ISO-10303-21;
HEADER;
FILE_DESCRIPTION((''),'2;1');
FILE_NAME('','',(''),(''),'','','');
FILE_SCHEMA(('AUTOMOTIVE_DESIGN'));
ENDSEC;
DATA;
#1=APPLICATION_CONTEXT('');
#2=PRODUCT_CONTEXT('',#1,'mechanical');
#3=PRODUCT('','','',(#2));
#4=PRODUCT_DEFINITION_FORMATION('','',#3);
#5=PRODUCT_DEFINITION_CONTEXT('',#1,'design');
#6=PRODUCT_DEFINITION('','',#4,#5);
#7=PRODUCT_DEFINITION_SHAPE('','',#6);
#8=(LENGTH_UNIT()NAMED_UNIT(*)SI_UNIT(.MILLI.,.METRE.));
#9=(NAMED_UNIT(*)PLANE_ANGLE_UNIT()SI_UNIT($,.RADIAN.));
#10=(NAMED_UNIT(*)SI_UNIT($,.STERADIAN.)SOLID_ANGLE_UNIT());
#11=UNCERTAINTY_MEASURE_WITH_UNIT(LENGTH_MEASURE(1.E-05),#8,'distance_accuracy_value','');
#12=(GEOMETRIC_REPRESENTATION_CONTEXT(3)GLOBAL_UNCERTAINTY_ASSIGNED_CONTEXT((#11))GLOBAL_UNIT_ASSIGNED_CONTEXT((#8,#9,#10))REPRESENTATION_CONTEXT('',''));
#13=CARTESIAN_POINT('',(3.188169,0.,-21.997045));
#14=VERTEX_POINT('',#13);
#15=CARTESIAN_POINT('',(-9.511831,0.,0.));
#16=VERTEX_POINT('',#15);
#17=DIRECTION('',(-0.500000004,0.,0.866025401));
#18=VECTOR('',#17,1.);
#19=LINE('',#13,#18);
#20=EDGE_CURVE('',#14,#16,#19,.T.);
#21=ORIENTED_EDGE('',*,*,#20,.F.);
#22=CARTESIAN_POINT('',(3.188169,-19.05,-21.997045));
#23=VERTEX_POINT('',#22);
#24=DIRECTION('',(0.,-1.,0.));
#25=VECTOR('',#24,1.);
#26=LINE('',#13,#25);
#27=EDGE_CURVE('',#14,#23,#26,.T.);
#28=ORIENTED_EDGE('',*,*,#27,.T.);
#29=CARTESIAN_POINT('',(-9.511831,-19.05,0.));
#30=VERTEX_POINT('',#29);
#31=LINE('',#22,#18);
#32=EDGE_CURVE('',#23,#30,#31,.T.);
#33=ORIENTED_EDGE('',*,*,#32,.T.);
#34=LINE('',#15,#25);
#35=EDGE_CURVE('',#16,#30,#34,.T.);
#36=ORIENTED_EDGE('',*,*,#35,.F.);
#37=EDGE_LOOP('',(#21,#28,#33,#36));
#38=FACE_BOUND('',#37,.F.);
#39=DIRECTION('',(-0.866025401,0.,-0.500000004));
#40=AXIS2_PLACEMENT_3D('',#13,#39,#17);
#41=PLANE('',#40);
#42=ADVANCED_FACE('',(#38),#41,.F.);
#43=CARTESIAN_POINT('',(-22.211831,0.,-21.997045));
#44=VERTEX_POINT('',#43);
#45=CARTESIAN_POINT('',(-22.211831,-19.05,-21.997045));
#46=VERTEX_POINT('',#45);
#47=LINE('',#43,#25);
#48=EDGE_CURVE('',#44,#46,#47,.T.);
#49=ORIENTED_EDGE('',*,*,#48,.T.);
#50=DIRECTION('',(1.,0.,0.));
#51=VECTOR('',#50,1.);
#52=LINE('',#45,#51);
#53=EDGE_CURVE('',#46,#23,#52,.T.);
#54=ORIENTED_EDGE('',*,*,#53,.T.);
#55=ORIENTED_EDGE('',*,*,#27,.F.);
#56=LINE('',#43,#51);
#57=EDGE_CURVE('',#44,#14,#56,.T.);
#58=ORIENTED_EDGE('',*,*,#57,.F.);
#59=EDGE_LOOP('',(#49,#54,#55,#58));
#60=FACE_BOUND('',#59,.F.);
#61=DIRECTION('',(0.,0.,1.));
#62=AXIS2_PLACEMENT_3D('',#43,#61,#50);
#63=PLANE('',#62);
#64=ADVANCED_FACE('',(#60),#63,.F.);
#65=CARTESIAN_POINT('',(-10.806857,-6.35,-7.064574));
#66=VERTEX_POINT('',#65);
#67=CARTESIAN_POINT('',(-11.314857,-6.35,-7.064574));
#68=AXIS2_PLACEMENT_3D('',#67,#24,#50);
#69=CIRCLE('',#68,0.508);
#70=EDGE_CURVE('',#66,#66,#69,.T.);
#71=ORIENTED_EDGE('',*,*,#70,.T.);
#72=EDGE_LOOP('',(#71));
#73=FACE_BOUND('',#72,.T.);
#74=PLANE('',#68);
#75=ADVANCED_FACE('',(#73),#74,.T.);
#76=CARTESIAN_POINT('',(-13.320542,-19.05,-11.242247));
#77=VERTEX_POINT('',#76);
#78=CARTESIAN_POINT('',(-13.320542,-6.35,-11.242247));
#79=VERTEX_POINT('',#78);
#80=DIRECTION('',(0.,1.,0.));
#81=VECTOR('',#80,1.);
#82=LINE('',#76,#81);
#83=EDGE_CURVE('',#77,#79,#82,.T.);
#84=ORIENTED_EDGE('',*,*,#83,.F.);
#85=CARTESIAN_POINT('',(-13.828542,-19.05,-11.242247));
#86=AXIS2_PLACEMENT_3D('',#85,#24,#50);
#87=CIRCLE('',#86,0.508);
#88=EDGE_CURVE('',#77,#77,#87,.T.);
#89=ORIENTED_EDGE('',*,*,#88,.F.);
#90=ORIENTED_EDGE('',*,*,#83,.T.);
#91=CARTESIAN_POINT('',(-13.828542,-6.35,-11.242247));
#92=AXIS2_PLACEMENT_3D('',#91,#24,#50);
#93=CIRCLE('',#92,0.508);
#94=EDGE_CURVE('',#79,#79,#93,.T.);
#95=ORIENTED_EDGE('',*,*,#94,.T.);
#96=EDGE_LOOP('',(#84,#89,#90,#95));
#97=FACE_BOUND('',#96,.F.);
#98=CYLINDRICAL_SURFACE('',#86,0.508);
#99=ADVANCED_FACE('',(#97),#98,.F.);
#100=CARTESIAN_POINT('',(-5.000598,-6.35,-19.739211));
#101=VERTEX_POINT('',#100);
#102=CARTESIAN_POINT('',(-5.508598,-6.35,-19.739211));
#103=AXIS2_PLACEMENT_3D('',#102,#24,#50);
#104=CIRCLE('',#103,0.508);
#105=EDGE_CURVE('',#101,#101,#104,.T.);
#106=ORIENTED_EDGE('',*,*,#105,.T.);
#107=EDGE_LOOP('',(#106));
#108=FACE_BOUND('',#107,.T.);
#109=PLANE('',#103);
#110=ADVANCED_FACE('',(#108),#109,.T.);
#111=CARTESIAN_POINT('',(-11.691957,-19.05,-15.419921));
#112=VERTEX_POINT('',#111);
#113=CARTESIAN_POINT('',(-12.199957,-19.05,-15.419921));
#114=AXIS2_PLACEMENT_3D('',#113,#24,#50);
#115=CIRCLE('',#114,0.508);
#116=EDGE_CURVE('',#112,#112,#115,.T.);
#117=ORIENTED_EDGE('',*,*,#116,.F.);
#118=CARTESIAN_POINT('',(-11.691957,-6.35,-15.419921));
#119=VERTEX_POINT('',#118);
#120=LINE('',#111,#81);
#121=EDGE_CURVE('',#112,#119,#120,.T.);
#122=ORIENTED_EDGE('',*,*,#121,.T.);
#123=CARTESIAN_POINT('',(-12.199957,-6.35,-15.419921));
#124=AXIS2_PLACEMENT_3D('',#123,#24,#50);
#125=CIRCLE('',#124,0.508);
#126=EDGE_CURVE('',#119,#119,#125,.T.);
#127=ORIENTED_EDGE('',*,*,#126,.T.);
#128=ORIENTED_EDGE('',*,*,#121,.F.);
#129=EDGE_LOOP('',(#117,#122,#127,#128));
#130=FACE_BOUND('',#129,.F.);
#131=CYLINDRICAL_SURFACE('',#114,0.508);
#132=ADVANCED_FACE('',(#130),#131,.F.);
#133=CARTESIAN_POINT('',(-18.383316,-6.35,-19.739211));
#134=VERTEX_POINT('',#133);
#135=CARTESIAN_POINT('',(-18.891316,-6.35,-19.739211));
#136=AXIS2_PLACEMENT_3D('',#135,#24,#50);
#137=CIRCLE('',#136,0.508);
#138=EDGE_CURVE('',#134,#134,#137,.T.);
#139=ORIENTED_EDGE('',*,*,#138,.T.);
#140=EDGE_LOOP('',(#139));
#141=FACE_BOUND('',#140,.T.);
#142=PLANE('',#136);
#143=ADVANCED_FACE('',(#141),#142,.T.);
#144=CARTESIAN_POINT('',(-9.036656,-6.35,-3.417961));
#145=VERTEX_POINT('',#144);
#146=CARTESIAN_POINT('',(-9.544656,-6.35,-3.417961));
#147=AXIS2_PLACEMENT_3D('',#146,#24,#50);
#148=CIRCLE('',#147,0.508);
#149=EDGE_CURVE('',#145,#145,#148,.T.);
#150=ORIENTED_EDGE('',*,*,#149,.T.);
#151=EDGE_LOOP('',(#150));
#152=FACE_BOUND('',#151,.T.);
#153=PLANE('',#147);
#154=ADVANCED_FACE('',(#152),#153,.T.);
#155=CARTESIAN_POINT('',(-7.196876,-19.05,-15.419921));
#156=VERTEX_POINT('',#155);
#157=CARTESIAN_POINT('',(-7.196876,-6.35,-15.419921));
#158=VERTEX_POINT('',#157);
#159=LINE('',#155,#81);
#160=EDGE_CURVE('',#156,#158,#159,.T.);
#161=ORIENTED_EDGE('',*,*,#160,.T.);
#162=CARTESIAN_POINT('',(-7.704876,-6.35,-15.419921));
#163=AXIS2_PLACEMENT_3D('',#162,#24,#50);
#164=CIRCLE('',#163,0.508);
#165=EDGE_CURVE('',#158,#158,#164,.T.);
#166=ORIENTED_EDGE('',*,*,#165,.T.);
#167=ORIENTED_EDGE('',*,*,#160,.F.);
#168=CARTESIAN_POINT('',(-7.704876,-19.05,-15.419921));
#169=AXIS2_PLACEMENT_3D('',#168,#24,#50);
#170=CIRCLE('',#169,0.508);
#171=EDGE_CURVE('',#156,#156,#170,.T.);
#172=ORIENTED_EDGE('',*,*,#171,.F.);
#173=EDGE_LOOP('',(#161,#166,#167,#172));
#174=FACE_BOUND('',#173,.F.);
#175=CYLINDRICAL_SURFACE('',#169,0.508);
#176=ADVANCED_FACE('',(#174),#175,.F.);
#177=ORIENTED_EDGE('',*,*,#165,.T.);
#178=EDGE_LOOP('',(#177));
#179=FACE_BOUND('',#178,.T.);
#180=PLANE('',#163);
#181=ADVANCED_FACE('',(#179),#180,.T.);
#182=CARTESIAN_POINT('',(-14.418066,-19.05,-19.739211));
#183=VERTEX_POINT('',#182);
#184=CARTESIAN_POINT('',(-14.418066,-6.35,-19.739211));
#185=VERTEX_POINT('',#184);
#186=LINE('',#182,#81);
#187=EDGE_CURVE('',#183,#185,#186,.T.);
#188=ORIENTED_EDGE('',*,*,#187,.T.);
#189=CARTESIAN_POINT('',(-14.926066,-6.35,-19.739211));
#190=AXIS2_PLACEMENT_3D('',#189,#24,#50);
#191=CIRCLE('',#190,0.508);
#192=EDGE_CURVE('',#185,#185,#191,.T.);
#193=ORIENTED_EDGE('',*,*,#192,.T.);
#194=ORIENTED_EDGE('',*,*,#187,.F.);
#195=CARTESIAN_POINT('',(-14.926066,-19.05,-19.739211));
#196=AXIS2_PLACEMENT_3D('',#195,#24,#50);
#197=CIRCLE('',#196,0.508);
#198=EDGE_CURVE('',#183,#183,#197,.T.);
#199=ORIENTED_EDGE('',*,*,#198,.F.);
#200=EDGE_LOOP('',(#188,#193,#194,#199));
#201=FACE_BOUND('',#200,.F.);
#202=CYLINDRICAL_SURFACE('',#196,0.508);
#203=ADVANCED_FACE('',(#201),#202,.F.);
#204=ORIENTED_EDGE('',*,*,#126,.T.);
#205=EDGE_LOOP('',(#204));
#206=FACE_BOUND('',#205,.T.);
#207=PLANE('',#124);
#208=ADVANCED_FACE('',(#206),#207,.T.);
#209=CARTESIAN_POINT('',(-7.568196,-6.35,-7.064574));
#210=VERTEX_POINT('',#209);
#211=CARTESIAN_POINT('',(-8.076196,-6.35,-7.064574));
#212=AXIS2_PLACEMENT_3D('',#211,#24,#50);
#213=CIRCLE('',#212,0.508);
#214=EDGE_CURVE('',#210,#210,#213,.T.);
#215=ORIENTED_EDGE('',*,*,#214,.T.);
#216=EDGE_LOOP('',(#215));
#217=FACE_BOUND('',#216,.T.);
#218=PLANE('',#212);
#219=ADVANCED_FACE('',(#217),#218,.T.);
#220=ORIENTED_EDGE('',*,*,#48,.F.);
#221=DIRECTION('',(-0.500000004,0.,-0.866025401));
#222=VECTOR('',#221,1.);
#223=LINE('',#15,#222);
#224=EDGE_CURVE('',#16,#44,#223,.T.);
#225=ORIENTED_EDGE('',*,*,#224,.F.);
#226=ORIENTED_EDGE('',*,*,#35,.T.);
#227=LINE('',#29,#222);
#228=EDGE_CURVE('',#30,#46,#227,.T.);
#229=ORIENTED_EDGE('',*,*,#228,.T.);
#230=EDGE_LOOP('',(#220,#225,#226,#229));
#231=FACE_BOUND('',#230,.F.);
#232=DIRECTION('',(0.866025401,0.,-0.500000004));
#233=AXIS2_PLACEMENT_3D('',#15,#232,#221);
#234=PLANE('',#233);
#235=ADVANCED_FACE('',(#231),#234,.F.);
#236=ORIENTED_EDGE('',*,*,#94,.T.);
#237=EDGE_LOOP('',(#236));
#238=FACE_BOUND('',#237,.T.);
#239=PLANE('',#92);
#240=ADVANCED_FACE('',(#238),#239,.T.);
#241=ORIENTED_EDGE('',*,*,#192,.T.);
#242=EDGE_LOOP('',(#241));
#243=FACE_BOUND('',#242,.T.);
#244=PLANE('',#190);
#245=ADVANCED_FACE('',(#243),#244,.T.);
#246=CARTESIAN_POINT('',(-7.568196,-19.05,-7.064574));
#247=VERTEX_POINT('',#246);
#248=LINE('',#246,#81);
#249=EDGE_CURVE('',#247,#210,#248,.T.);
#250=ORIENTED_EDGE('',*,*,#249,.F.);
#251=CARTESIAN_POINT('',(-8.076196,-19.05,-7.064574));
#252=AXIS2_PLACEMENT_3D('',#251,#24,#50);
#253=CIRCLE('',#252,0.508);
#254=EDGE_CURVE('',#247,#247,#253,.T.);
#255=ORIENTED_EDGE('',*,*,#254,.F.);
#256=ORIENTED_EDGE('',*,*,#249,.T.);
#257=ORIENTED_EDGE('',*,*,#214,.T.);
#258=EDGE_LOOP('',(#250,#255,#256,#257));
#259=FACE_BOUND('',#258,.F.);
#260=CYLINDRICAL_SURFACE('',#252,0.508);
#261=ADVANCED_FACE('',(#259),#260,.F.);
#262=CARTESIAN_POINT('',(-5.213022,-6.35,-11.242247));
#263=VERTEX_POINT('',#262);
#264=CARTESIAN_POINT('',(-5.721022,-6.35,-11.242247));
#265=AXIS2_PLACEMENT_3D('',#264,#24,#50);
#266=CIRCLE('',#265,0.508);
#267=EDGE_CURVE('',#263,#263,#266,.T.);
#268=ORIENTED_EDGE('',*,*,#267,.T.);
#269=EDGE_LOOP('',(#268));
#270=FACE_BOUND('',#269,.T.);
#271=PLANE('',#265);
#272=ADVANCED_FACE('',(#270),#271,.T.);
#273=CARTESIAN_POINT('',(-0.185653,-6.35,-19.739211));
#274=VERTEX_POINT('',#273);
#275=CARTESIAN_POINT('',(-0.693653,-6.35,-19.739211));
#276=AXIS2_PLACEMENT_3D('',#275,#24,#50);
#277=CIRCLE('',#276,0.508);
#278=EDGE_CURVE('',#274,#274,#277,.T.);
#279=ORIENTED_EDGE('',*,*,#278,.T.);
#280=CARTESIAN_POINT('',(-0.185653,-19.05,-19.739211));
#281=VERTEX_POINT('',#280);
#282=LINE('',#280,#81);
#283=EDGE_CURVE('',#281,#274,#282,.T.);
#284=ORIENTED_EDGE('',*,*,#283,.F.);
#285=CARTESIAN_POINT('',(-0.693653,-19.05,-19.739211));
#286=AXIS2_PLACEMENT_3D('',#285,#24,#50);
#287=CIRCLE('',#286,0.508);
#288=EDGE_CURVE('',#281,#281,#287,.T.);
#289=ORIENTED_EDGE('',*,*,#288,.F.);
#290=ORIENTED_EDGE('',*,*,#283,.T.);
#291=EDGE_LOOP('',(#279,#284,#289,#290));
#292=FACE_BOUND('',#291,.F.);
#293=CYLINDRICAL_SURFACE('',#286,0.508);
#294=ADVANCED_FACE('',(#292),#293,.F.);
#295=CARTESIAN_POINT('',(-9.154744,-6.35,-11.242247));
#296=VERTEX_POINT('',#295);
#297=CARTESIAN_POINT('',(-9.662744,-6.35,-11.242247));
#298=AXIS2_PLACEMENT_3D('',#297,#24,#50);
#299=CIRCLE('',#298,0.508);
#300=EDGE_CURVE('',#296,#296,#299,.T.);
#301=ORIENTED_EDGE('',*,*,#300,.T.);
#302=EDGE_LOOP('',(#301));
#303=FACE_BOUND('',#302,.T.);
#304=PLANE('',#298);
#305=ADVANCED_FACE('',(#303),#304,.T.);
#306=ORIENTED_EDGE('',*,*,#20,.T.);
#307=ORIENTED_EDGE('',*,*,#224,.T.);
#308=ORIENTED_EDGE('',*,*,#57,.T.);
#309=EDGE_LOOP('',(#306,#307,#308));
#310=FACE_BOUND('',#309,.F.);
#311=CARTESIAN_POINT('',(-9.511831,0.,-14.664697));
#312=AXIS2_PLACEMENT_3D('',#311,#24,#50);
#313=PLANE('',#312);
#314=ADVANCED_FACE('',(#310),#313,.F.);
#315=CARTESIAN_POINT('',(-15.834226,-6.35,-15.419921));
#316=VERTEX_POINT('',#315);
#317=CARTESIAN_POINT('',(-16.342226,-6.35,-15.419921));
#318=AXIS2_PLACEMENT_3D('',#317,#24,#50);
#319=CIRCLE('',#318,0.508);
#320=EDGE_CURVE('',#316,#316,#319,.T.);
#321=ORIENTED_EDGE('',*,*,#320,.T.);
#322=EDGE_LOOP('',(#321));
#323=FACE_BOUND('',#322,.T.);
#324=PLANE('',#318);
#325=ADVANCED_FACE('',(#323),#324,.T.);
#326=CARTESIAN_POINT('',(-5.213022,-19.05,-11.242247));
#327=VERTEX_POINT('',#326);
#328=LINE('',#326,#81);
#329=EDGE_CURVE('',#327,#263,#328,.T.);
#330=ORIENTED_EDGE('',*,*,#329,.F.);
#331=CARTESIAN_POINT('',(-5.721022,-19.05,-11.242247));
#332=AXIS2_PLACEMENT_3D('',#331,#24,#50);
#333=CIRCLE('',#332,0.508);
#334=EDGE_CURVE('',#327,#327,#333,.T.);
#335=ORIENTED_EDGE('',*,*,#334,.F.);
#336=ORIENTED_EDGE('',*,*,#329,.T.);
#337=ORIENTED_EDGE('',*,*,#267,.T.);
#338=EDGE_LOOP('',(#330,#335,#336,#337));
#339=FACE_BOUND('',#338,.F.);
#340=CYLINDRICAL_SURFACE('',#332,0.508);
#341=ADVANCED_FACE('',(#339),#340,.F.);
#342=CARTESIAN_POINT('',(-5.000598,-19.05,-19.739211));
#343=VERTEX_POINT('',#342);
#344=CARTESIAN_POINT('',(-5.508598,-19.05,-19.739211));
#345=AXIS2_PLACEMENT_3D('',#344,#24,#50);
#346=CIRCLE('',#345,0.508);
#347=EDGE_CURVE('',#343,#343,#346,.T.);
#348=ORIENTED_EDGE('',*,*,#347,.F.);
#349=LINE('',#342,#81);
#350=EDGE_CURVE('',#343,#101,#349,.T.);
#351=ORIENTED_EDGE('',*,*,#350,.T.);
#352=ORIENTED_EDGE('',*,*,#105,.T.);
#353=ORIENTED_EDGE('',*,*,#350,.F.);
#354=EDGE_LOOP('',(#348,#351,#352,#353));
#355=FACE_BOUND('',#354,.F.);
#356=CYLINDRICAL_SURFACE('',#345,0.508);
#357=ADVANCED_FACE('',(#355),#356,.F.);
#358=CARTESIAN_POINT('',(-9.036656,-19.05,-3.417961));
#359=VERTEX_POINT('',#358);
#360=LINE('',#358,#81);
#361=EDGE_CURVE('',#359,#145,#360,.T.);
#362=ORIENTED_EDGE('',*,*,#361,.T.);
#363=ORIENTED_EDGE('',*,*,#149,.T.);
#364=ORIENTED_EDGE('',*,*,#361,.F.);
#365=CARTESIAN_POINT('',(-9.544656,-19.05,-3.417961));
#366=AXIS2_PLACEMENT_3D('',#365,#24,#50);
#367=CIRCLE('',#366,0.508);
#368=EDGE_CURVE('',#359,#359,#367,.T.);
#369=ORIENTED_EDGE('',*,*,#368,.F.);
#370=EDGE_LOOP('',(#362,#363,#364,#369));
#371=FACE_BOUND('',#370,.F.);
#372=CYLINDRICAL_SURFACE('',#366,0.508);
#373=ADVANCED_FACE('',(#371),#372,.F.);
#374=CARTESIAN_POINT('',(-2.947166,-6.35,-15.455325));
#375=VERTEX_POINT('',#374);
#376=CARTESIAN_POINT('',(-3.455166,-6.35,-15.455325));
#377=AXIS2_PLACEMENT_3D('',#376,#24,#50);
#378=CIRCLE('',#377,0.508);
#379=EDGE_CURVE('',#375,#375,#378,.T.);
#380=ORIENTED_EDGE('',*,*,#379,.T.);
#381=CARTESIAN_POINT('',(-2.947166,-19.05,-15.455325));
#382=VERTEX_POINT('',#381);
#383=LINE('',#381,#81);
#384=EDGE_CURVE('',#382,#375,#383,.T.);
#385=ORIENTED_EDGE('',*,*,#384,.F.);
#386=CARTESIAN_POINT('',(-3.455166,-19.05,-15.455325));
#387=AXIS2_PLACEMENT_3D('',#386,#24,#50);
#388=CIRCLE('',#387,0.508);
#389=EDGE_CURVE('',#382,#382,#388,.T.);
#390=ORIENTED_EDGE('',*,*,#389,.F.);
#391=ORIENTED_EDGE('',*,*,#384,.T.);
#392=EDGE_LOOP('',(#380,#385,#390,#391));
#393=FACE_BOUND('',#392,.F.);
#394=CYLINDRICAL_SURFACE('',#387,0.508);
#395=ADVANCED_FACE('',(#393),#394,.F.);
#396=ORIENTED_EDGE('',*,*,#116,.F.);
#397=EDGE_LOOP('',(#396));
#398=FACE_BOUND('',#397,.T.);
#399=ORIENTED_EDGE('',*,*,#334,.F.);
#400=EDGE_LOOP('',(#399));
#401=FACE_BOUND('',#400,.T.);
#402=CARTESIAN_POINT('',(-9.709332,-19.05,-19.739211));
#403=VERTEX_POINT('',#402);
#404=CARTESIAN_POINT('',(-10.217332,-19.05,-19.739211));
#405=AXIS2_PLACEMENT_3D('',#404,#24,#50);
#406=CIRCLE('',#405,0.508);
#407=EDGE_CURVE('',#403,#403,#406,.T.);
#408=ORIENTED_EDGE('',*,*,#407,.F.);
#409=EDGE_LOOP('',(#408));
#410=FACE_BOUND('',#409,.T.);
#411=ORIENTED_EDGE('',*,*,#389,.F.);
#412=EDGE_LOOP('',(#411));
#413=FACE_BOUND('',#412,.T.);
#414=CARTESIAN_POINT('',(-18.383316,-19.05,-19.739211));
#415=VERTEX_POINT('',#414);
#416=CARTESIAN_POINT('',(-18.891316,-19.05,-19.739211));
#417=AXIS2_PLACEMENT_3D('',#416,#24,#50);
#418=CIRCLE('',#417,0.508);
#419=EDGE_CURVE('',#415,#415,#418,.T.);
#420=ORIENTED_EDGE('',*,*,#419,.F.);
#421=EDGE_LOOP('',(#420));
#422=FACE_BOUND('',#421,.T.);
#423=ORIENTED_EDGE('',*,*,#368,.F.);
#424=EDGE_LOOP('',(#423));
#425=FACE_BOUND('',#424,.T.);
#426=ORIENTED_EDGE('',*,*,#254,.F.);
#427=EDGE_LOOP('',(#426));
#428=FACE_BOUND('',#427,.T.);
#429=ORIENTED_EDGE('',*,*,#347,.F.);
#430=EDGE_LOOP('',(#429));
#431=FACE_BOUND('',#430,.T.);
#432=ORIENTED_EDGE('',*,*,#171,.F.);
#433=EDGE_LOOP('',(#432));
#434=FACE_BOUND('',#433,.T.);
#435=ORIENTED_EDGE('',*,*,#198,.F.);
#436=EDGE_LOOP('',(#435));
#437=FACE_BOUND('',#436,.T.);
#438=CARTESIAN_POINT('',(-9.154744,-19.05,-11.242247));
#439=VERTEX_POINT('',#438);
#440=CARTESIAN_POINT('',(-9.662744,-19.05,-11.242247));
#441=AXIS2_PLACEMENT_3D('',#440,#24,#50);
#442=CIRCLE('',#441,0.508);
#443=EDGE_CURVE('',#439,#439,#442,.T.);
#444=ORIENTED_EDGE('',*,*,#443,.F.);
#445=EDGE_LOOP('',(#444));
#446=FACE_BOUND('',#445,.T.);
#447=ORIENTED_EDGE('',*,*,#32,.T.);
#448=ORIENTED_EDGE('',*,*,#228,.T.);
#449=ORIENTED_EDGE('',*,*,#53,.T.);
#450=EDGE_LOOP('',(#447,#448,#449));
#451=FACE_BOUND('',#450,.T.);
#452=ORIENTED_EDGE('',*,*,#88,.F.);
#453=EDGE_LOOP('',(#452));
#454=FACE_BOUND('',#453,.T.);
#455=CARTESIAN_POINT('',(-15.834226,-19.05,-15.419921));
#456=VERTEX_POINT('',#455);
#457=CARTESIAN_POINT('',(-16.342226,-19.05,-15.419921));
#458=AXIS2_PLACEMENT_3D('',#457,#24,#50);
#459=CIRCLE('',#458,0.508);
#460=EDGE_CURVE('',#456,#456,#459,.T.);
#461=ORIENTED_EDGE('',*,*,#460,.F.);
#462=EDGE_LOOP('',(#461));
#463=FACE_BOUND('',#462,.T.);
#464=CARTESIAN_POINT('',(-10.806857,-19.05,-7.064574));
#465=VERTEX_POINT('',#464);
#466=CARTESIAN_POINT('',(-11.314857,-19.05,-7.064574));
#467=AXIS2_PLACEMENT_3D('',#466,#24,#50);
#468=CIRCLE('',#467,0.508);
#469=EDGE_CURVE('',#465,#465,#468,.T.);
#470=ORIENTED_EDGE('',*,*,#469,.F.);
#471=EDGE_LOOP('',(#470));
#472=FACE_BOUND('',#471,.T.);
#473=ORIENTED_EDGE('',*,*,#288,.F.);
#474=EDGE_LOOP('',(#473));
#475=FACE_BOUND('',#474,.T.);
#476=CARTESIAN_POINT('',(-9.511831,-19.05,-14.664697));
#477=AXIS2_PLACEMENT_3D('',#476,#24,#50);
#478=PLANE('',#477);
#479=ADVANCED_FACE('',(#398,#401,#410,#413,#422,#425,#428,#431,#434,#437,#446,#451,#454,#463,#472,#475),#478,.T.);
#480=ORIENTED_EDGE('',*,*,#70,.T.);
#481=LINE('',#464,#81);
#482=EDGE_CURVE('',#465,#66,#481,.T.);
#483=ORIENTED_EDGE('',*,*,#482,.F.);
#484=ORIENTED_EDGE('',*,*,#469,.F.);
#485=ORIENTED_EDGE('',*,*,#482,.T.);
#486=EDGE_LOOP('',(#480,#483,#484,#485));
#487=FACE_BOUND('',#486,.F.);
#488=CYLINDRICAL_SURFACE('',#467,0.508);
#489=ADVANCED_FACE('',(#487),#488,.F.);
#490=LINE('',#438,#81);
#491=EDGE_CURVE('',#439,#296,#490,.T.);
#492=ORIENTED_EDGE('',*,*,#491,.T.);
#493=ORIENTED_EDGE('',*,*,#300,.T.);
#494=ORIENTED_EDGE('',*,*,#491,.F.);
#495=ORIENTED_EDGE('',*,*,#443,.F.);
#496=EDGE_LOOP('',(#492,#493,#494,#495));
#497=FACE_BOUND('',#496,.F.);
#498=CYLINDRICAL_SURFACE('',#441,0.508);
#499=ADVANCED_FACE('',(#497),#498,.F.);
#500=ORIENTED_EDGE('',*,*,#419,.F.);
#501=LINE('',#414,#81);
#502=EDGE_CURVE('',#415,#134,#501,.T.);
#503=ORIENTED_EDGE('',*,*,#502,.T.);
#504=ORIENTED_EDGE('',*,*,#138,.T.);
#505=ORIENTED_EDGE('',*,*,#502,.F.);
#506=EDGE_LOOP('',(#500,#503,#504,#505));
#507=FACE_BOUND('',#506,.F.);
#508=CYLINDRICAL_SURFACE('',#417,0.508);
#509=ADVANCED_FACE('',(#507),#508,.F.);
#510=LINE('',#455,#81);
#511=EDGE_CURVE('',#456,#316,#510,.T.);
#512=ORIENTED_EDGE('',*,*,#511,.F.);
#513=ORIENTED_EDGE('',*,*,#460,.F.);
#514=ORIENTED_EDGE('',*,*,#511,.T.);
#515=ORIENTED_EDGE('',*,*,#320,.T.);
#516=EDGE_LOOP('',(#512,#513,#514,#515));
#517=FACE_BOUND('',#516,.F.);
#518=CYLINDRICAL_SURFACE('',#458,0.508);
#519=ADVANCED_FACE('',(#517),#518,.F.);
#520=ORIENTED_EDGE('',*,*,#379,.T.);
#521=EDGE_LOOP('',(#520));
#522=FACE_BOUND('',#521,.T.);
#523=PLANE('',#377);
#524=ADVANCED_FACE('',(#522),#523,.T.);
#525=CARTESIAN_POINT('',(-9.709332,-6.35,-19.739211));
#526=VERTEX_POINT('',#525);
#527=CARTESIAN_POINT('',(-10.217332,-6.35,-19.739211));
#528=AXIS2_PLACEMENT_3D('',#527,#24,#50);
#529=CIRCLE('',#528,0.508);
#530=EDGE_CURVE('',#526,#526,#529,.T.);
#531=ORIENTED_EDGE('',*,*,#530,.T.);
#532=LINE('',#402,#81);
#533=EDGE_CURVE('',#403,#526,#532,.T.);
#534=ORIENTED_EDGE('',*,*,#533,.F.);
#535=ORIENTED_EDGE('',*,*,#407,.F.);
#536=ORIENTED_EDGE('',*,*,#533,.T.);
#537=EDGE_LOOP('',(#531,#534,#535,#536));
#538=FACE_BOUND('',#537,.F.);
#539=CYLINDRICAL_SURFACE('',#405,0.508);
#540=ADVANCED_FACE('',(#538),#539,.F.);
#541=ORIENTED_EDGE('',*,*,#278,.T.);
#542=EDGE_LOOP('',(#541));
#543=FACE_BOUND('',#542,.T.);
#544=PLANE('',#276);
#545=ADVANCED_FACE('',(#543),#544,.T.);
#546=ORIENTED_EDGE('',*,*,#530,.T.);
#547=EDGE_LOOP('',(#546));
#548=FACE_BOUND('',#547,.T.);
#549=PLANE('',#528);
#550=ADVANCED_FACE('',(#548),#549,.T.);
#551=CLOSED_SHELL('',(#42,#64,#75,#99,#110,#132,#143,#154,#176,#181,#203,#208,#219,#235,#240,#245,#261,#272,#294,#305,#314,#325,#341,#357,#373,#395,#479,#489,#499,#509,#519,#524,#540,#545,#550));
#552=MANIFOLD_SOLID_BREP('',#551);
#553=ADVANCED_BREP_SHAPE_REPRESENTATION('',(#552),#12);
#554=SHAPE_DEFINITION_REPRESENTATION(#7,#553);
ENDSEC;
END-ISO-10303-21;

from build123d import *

# Parameters (mm, degrees)
F1_DEPTH = 19.05
F2_R     = 0.508
F3_DEPTH = 12.7


with BuildPart() as f1:
    # F0 (on Front) → F1 (new body)
    with BuildSketch(Plane.XZ):
        Polygon((-9.511831, 0), (-22.211831, -21.997045), (3.188169, -21.997045), align=None)
    extrude(amount=F1_DEPTH)

    # F2 (on face) → F3 (cut)
    with BuildSketch(Plane.XZ.offset(19.05)):
        with Locations((-18.891316, -19.739211)):
            Circle(F2_R)
        with Locations((-14.926066, -19.739211)):
            Circle(F2_R)
        with Locations((-5.508598, -19.739211)):
            Circle(F2_R)
        with Locations((-0.693653, -19.739211)):
            Circle(F2_R)
        with Locations((-10.217332, -19.739211)):
            Circle(F2_R)
        with Locations((-12.199957, -15.419921)):
            Circle(F2_R)
        with Locations((-7.704876, -15.419921)):
            Circle(F2_R)
        with Locations((-3.455166, -15.455325)):
            Circle(F2_R)
        with Locations((-8.076196, -7.064574)):
            Circle(F2_R)
        with Locations((-13.828542, -11.242247)):
            Circle(F2_R)
        with Locations((-5.721022, -11.242247)):
            Circle(F2_R)
        with Locations((-9.544656, -3.417961)):
            Circle(F2_R)
        with Locations((-11.314857, -7.064574)):
            Circle(F2_R)
        with Locations((-9.662744, -11.242247)):
            Circle(F2_R)
        with Locations((-16.342226, -15.419921)):
            Circle(F2_R)
    extrude(amount=-F3_DEPTH, mode=Mode.SUBTRACT)


solid = f1.part
